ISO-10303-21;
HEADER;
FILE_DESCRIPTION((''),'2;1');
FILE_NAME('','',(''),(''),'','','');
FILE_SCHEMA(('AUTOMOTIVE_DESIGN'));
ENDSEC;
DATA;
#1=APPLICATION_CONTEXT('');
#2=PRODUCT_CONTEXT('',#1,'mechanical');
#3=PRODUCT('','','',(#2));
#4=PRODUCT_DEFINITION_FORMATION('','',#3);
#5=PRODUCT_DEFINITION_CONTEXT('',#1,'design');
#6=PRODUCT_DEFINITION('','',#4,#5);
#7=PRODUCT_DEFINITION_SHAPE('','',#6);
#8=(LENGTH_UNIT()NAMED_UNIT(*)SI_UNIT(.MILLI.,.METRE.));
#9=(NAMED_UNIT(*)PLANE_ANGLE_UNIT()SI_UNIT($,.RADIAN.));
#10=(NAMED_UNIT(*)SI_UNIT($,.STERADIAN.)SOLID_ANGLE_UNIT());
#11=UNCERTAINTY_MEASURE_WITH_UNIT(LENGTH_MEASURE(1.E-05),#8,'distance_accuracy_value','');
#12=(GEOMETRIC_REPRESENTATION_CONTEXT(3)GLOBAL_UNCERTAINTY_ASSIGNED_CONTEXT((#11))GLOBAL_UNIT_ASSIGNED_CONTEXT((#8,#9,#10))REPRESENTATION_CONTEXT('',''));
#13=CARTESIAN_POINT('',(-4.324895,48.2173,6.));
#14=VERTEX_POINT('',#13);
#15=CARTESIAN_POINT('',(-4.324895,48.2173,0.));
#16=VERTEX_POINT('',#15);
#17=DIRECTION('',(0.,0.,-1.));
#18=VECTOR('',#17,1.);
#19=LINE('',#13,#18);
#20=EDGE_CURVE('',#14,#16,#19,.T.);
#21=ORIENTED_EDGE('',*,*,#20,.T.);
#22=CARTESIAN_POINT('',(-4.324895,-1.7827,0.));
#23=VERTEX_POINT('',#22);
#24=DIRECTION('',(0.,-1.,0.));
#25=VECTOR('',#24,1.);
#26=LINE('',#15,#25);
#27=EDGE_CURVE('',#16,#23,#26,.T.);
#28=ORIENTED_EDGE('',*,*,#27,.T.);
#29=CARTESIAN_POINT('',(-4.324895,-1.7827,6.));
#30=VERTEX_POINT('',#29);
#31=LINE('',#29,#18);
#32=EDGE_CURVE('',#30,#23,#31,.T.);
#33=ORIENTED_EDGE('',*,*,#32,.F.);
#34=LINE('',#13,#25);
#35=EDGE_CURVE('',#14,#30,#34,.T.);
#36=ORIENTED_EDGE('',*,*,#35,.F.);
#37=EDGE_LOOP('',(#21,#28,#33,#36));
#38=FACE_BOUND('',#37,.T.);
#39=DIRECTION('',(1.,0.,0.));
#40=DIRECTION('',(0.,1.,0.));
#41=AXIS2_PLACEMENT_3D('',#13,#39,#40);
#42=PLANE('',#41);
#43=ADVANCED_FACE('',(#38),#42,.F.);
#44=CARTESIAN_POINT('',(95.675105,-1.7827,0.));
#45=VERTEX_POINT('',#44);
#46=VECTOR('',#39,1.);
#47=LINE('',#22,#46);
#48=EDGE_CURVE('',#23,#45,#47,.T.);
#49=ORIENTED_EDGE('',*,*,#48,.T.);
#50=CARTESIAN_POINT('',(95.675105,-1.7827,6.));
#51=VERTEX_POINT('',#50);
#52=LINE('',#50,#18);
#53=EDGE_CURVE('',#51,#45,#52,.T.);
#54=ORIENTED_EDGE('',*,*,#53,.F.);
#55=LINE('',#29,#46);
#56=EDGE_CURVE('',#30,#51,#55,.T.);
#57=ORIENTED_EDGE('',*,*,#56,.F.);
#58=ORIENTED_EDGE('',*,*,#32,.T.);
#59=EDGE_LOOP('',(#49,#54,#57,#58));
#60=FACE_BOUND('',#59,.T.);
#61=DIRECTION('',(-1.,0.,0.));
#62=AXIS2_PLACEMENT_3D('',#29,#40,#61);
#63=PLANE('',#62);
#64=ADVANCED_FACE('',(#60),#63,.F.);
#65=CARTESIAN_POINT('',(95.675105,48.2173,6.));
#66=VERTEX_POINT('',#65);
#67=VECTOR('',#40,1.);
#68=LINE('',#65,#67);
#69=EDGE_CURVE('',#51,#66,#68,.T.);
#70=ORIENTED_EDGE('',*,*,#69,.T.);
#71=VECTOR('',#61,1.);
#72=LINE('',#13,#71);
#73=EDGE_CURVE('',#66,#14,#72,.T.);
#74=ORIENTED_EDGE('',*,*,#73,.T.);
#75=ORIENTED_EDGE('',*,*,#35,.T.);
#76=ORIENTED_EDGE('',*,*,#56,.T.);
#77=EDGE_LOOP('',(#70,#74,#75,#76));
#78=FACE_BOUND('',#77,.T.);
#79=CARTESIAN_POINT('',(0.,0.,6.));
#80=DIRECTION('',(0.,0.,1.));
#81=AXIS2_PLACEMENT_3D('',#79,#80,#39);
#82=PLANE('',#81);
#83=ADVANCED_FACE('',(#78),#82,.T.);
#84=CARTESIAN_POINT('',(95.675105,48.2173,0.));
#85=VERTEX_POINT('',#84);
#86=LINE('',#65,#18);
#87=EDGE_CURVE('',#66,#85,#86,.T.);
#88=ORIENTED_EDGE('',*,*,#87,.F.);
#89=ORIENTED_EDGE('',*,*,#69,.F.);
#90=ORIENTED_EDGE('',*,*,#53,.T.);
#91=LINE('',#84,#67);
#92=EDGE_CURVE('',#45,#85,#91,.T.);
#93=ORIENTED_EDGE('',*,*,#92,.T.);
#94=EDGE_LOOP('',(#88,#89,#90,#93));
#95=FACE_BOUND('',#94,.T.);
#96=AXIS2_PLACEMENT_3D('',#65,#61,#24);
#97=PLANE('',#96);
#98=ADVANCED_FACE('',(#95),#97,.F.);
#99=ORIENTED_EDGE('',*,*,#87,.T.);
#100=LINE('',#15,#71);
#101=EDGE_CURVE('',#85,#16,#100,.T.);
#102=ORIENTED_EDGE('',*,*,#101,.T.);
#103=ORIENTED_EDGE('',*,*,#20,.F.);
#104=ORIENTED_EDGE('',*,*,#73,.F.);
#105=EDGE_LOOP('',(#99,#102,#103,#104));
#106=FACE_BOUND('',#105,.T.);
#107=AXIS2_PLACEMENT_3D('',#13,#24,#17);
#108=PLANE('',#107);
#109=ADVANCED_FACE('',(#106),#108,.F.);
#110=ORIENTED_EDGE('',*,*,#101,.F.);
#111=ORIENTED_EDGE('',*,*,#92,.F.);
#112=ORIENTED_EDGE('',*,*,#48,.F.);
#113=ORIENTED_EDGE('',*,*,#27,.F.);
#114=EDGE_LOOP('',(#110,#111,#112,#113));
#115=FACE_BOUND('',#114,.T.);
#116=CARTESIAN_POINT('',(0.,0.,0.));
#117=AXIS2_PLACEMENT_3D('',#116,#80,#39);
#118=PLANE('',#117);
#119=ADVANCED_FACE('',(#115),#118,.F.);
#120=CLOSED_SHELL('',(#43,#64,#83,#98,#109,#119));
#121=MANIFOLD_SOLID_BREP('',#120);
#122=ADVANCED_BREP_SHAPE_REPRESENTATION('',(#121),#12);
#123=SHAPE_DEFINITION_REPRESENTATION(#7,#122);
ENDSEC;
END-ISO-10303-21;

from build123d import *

# Parameters (mm, degrees)
SKETCH1_W           = 100
SKETCH1_H           = 50
BOSS_EXTRUDE1_DEPTH = 6


with BuildPart() as part:
    # Sketch1 → Boss-Extrude1 (new body)
    with BuildSketch(Plane.XY):
        with Locations((45.675105485, 23.217299578)):
            Rectangle(SKETCH1_W, SKETCH1_H)
    extrude(amount=BOSS_EXTRUDE1_DEPTH)


solid = part.part
